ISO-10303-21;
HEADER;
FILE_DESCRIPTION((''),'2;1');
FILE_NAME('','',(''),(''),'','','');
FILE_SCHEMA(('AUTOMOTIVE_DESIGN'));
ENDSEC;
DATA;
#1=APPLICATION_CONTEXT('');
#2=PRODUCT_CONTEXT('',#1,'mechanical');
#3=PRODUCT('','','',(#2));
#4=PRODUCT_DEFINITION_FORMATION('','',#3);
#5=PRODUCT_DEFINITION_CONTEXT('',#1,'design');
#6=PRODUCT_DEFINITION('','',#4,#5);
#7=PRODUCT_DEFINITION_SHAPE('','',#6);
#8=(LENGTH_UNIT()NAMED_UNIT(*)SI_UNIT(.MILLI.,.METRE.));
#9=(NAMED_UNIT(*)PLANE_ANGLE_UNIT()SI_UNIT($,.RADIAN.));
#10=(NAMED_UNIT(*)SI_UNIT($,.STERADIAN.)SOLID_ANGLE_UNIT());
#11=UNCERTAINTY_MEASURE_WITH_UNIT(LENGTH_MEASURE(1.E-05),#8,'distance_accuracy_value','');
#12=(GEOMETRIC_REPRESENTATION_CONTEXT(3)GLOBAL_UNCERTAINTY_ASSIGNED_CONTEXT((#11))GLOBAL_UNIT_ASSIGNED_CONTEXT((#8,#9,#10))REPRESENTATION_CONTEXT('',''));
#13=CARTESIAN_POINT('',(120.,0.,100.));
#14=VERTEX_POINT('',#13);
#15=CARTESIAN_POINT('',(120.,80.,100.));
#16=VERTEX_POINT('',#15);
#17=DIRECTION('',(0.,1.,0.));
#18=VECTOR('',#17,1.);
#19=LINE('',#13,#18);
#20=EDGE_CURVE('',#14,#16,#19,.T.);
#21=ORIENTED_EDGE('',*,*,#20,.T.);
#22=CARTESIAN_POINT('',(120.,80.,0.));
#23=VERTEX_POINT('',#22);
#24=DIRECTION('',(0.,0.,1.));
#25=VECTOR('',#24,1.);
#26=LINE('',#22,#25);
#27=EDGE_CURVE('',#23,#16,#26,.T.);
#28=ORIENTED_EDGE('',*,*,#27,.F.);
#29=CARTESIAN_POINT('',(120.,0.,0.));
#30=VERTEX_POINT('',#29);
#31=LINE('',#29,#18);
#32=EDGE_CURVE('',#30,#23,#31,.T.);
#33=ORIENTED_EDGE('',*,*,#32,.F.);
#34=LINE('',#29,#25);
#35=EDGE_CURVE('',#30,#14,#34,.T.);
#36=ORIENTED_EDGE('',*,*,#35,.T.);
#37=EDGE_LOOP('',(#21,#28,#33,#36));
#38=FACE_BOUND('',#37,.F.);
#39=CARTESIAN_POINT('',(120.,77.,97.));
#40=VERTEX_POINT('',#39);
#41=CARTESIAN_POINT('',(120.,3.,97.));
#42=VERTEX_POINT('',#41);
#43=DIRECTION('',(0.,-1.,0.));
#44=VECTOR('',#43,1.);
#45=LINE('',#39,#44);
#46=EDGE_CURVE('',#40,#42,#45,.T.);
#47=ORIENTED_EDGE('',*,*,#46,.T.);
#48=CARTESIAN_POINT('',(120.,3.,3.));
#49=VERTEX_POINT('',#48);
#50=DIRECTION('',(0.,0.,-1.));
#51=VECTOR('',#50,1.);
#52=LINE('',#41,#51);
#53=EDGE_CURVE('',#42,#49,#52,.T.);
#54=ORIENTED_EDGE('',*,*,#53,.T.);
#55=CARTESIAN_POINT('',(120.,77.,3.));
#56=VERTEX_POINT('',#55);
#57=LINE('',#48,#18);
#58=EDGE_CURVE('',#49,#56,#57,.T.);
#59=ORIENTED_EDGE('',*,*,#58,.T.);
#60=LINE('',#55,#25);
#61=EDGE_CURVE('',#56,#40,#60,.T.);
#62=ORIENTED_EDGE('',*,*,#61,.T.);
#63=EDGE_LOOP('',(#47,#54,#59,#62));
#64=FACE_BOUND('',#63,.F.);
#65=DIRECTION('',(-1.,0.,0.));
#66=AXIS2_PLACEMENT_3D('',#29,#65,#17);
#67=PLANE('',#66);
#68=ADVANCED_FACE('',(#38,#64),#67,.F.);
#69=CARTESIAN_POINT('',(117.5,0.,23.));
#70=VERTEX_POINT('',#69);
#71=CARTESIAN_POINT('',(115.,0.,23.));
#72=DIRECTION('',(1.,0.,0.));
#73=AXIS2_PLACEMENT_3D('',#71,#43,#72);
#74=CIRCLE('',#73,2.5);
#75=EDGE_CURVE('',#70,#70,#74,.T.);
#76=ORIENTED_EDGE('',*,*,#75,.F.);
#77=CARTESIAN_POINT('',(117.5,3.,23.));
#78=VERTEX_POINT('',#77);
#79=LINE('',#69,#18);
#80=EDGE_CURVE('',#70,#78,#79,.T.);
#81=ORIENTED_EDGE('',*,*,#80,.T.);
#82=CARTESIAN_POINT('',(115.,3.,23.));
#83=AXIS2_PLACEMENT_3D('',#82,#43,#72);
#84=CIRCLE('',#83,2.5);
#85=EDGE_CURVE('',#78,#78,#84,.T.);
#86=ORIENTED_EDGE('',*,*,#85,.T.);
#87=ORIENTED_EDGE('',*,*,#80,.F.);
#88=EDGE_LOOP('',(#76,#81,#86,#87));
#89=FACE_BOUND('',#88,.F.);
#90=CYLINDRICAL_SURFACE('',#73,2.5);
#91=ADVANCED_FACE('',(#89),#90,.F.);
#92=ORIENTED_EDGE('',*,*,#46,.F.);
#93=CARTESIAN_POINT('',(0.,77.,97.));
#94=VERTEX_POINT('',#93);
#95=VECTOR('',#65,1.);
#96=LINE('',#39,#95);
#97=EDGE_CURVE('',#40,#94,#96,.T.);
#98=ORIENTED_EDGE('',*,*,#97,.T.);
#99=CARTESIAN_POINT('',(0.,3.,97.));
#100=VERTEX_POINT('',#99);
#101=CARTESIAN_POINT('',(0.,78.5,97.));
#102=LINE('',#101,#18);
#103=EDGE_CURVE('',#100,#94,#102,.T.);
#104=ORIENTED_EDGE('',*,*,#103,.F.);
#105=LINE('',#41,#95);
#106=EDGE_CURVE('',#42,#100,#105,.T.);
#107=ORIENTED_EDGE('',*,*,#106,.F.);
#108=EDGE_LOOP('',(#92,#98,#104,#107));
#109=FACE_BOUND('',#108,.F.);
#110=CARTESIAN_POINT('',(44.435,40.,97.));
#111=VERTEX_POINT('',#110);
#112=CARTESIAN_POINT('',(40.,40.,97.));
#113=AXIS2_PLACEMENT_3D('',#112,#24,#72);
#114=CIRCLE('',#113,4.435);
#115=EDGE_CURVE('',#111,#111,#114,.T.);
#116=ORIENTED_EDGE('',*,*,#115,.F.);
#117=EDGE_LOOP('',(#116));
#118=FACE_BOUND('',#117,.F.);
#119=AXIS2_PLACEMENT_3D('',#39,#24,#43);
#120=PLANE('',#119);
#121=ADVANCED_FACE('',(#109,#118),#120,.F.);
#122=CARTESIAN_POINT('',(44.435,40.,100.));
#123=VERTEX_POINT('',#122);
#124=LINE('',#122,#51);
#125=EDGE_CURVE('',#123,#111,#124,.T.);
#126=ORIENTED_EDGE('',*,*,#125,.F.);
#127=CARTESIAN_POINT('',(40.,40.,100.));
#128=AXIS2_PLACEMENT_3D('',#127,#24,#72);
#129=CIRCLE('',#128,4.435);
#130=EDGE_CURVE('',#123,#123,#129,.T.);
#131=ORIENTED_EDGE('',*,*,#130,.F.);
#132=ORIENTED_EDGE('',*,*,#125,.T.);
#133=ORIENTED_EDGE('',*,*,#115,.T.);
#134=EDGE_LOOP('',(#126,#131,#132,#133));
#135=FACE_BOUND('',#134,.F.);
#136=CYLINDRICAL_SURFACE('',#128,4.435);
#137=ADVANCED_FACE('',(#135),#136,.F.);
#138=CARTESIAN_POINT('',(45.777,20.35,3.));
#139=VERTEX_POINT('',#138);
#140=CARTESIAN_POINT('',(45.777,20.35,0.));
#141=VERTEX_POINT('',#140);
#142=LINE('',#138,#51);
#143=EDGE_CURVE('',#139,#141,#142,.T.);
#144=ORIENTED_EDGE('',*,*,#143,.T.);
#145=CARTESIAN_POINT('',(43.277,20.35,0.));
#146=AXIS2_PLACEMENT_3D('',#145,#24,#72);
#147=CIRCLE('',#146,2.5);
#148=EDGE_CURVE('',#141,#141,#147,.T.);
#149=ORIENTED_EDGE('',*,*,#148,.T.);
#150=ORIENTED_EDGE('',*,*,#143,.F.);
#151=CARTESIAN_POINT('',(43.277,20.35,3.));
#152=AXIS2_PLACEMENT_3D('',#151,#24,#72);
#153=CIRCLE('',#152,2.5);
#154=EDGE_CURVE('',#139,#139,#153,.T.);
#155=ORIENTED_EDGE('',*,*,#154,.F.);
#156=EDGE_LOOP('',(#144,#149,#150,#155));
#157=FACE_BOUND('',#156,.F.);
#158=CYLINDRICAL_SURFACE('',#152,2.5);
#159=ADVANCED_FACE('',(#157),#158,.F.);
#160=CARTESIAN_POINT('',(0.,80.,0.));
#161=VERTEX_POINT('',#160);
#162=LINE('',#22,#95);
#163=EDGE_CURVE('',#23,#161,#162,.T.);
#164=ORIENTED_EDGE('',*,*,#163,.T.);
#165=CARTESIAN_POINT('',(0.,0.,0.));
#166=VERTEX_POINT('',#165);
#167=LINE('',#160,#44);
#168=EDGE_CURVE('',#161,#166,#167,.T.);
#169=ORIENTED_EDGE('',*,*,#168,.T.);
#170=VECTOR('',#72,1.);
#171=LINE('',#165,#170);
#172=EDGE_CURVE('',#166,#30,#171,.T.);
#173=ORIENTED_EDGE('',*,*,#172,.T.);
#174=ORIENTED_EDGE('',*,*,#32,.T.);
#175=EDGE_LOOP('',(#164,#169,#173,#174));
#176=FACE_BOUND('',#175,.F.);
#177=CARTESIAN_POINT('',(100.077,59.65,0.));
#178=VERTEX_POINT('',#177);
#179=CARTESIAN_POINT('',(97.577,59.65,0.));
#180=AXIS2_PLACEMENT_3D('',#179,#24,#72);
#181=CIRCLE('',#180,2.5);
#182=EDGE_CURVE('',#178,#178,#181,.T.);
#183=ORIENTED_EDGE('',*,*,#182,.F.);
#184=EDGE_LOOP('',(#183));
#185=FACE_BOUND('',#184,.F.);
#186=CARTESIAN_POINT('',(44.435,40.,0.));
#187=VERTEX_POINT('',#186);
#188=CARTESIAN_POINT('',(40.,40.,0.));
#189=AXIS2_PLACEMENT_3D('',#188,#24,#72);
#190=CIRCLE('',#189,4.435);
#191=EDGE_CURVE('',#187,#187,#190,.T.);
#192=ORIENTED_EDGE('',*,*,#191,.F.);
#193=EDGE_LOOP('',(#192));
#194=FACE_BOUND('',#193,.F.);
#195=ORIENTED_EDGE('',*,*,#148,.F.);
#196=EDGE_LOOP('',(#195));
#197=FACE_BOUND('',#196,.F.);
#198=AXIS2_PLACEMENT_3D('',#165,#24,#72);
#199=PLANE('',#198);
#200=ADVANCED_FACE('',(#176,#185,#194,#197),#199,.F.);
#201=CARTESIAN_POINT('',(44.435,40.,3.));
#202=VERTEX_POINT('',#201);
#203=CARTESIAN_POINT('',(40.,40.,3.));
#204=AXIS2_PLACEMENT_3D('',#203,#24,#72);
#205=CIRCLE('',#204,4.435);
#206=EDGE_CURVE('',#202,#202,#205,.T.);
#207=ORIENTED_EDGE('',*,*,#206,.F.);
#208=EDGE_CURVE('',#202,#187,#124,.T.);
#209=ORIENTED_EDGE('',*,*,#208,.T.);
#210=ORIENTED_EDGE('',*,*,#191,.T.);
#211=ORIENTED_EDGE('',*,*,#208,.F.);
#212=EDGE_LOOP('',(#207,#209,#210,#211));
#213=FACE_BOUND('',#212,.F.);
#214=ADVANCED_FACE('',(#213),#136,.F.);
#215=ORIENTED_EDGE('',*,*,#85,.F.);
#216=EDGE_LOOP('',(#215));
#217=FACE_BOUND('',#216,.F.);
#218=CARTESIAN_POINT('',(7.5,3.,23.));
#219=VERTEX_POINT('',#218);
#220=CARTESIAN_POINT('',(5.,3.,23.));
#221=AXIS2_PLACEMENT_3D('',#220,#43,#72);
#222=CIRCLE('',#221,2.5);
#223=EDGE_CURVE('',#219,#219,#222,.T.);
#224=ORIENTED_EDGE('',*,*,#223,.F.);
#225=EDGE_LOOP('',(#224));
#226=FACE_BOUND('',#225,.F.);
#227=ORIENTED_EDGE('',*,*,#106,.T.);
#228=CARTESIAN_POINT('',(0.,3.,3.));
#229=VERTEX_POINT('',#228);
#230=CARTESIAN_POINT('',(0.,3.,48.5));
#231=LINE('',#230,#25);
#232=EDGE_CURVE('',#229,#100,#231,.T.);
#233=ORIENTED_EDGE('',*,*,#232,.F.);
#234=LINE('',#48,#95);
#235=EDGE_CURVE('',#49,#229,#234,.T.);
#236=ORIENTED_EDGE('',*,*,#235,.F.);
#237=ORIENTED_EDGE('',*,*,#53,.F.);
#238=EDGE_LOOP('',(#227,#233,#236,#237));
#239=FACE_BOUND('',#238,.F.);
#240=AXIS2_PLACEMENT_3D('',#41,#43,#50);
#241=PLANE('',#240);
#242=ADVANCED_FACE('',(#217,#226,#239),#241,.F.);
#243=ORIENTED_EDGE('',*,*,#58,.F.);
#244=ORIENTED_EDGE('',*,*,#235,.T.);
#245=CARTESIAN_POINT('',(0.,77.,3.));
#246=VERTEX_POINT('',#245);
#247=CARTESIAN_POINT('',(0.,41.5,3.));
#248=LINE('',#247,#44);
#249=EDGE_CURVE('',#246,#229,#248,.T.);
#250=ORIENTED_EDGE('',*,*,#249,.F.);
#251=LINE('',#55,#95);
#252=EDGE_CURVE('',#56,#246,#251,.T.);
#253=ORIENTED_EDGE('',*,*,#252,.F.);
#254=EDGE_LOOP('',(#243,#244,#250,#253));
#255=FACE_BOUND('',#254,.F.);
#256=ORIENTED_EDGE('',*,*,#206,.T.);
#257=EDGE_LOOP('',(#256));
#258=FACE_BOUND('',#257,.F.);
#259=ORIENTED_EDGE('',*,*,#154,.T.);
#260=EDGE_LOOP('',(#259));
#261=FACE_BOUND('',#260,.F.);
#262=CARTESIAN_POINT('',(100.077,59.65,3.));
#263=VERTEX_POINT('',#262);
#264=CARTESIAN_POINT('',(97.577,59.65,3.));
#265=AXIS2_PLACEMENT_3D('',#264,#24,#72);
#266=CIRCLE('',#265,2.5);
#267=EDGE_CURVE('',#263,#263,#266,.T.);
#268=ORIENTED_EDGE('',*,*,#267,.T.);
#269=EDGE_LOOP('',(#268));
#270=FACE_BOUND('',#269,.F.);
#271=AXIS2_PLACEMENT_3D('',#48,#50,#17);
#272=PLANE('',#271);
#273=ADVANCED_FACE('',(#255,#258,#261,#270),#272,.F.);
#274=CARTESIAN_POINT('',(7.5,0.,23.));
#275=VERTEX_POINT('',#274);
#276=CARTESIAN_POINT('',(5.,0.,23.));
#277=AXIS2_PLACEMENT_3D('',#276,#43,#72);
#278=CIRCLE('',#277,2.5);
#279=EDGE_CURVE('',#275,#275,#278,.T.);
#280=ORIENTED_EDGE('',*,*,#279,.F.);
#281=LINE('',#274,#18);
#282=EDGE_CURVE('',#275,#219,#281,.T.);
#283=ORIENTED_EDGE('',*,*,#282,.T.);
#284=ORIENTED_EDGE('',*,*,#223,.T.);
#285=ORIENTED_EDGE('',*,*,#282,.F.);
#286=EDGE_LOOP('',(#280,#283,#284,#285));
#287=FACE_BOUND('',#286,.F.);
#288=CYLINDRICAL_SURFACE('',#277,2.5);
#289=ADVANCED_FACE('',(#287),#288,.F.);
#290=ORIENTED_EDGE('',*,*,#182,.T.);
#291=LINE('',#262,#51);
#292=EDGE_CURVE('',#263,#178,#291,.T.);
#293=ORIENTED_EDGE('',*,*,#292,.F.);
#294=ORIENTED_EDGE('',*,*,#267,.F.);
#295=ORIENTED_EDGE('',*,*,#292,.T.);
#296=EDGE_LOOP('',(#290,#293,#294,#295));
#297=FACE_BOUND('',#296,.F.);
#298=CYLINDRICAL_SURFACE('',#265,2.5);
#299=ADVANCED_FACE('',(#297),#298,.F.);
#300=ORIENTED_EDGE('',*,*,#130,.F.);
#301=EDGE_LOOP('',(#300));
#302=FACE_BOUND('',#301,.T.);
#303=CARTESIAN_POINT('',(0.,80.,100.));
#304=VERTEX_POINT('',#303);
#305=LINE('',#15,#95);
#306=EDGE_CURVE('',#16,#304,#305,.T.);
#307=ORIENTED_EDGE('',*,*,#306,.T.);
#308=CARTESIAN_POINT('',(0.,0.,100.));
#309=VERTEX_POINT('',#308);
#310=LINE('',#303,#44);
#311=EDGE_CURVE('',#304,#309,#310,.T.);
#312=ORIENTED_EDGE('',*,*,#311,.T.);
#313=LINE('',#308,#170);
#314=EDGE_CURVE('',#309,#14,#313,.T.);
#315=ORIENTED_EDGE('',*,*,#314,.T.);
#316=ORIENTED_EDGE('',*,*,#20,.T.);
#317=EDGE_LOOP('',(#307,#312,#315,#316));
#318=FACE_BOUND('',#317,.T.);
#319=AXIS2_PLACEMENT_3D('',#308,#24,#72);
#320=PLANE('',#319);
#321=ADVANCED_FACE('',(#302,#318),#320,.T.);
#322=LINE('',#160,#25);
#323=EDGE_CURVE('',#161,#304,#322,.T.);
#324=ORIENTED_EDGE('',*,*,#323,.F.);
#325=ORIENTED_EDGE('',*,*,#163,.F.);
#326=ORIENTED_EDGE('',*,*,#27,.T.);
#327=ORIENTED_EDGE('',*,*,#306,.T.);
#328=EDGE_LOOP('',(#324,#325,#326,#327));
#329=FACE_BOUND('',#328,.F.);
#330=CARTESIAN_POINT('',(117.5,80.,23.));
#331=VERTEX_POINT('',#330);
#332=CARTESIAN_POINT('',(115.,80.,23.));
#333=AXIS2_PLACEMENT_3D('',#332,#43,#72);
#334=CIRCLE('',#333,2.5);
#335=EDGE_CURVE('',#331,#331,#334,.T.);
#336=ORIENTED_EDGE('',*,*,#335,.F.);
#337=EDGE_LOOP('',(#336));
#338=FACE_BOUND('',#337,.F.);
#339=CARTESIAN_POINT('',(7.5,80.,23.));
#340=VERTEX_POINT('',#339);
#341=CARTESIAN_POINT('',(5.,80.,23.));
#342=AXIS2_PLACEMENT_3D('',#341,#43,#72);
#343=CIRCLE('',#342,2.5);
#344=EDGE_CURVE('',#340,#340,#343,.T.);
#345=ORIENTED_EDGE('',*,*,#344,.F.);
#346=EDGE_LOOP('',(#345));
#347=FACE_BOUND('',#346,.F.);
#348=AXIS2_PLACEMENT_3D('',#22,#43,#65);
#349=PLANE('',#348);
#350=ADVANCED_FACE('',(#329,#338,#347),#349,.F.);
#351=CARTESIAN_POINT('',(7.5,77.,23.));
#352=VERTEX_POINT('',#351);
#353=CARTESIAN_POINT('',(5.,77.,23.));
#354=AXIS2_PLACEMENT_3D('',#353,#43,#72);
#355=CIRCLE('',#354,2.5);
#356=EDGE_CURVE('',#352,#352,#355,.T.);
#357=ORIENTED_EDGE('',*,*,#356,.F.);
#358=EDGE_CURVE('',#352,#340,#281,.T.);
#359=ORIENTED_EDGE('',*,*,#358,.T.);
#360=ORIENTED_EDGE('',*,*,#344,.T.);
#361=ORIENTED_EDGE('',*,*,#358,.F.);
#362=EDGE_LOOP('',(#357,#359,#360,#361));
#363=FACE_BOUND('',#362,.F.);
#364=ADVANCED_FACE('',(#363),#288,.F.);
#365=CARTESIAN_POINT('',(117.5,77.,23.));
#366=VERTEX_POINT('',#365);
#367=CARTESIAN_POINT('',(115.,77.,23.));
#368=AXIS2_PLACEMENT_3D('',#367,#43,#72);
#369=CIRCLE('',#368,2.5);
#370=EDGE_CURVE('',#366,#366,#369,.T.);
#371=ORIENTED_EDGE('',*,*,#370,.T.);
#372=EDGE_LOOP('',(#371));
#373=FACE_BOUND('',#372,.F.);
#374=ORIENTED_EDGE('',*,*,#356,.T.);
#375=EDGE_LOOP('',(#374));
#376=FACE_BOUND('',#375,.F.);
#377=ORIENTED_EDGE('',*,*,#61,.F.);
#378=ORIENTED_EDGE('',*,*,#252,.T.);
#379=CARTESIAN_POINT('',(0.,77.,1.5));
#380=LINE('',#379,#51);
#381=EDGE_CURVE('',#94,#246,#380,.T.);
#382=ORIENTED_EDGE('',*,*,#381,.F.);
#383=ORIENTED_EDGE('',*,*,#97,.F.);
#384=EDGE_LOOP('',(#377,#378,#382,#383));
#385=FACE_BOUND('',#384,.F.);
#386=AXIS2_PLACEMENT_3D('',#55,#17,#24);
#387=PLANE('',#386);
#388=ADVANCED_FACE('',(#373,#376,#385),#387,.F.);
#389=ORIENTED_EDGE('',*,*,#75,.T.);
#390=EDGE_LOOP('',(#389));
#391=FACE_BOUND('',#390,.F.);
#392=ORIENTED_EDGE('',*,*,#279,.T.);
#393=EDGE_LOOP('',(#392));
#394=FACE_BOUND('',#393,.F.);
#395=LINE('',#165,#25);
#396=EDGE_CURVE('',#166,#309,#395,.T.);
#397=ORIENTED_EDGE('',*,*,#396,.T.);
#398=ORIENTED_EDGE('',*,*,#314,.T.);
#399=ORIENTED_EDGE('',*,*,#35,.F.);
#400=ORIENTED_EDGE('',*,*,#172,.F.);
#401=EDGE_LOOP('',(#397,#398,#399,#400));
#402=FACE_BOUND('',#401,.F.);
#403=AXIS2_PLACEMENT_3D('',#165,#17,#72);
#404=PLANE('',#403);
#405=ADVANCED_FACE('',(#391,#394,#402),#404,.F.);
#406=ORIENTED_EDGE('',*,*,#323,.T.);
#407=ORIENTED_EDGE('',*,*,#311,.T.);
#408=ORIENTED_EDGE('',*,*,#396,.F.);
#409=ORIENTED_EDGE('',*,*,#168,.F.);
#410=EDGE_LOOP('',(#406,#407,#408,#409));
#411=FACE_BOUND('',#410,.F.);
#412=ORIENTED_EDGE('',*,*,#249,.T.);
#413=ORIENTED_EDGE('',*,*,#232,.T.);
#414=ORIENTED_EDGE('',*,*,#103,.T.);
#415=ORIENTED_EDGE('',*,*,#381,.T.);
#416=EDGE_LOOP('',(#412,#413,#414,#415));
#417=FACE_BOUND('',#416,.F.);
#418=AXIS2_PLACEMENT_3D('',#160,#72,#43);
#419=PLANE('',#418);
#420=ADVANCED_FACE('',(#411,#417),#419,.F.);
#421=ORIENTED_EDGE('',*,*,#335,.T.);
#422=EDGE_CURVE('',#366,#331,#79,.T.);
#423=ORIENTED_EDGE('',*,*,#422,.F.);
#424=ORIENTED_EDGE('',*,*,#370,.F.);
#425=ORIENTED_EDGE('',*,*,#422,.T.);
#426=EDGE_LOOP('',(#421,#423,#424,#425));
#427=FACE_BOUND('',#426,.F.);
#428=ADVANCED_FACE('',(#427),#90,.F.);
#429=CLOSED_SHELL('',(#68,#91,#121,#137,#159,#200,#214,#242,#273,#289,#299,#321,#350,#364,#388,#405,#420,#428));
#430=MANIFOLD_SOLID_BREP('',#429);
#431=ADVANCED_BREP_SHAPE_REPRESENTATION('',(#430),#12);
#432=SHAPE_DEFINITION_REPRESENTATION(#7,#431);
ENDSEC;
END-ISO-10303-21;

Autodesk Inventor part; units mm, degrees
ref_plane "YZ Plane" through (0, 0, 0) normal (1, 0, 0) x (0, 1, 0)
ref_plane "XZ Plane" through (0, 0, 0) normal (0, 1, 0) x (-1, 0, 0)
sketch "Sketch6" plane through (0, 0, 0) normal (0, 0, 1) x (1, 0, 0)
  line L0 (0, 0) -> (120, 0)
  line L1 (120, 0) -> (120, 80)
  line L2 (120, 80) -> (0, 80)
  line L3 (0, 80) -> (0, 0)
  dimension "d18" = 80
  dimension "d19" = 120
extrude "Extrusion4" add sketch "Sketch6" along normal blind 100
sketch "Sketch7" plane through (120, 0, 0) normal (1, 0, 0) x (0, 0, -1)
  line L0 (0, 0) -> (0, 80) projected
  line L1 (0, 80) -> (-100, 80) projected
  line L2 (-100, 0) -> (-100, 80) projected
  line L3 (0, 0) -> (-100, 0) projected
  line L4 (-97, 3) -> (-3, 3)
  line L5 (-3, 3) -> (-3, 77)
  line L6 (-3, 77) -> (-97, 77)
  line L7 (-97, 77) -> (-97, 3)
  point P0 (0, 0)
  dimension "d22" = 3
  dimension "d23" = 3
  dimension "d24" = 3
  dimension "d25" = 3
extrude "Extrusion5" cut sketch "Sketch7" against normal up to next contours L7 L6 L5 L4
sketch "Sketch8" plane through (0, 0, 0) normal (0, -1, 0) x (1, 0, 0)
  line L0 (0, 0) -> (120, 0) projected
  line L1 (120, 0) -> (120, 100) projected
  line L2 (0, 100) -> (120, 100) projected
  line L3 (0, 0) -> (0, 100) projected
  line L4 (120, 3) -> (0, 3) projected
  circle A0 centre (5, 23) radius 2.5
  circle A1 centre (115, 23) radius 2.5
  dimension "d28" = 5
  dimension "d29" = 5
  dimension "d30" = 20
  dimension "d31" = 5
  dimension "d32" = 5
  dimension "d33" = 20
extrude "Extrusion6" cut sketch "Sketch8" against normal blind 100 contours A0 | A1
sketch "Sketch9" plane through (0, 0, 100) normal (0, 0, 1) x (1, 0, 0)
  line L0 (0, 0) -> (120, 0) projected
  line L1 (120, 0) -> (120, 80) projected
  line L2 (120, 80) -> (0, 80) projected
  line L3 (0, 80) -> (0, 0) projected
  line L4 (120, 77) -> (0, 77) projected
  line L5 (120, 3) -> (0, 3) projected
  circle A0 centre (40, 40) radius 4.435
  dimension "d36" = 8.87
  dimension "d37" = 40
  dimension "d38" = 40
extrude "Extrusion7" cut sketch "Sketch9" against normal through all contours A0
ref_plane "Work Plane1" through (0, 0, 50) normal (0, 0, 1) x (1, 0, 0)
sketch "Sketch10" plane through (120, 3, 3) normal (0, 0, 1) x (1, 0, 0)
  circle A0 centre (-80, 37) radius 4.435 projected
  line L0 (-120, 0) -> (-120, 74) projected
  line L1 (0, 0) -> (-120, 0) projected
  line L2 (0, 74) -> (0, 0) projected
  line L3 (0, 74) -> (-120, 74) projected
  circle A1 centre (-22.423, 56.65) radius 2.5
  circle A2 centre (-76.723, 17.35) radius 2.5
  line L4 (-49.573, 47.4472) -> (-49.573, 24.6677)
  point P0 (-120, -3)
  dimension "d46" = 5
  dimension "d48" = 5
  dimension "d55" = 17.35
  dimension "d58" = 30.427
  dimension "d59" = 27.15
  dimension "d72" = 17.35
  dimension "d73" = 27.15
extrude "Extrusion9" cut sketch "Sketch10" against normal blind 100 contours A1 | A2
properties part number "EE_Base-SquareBar-Rev3"
